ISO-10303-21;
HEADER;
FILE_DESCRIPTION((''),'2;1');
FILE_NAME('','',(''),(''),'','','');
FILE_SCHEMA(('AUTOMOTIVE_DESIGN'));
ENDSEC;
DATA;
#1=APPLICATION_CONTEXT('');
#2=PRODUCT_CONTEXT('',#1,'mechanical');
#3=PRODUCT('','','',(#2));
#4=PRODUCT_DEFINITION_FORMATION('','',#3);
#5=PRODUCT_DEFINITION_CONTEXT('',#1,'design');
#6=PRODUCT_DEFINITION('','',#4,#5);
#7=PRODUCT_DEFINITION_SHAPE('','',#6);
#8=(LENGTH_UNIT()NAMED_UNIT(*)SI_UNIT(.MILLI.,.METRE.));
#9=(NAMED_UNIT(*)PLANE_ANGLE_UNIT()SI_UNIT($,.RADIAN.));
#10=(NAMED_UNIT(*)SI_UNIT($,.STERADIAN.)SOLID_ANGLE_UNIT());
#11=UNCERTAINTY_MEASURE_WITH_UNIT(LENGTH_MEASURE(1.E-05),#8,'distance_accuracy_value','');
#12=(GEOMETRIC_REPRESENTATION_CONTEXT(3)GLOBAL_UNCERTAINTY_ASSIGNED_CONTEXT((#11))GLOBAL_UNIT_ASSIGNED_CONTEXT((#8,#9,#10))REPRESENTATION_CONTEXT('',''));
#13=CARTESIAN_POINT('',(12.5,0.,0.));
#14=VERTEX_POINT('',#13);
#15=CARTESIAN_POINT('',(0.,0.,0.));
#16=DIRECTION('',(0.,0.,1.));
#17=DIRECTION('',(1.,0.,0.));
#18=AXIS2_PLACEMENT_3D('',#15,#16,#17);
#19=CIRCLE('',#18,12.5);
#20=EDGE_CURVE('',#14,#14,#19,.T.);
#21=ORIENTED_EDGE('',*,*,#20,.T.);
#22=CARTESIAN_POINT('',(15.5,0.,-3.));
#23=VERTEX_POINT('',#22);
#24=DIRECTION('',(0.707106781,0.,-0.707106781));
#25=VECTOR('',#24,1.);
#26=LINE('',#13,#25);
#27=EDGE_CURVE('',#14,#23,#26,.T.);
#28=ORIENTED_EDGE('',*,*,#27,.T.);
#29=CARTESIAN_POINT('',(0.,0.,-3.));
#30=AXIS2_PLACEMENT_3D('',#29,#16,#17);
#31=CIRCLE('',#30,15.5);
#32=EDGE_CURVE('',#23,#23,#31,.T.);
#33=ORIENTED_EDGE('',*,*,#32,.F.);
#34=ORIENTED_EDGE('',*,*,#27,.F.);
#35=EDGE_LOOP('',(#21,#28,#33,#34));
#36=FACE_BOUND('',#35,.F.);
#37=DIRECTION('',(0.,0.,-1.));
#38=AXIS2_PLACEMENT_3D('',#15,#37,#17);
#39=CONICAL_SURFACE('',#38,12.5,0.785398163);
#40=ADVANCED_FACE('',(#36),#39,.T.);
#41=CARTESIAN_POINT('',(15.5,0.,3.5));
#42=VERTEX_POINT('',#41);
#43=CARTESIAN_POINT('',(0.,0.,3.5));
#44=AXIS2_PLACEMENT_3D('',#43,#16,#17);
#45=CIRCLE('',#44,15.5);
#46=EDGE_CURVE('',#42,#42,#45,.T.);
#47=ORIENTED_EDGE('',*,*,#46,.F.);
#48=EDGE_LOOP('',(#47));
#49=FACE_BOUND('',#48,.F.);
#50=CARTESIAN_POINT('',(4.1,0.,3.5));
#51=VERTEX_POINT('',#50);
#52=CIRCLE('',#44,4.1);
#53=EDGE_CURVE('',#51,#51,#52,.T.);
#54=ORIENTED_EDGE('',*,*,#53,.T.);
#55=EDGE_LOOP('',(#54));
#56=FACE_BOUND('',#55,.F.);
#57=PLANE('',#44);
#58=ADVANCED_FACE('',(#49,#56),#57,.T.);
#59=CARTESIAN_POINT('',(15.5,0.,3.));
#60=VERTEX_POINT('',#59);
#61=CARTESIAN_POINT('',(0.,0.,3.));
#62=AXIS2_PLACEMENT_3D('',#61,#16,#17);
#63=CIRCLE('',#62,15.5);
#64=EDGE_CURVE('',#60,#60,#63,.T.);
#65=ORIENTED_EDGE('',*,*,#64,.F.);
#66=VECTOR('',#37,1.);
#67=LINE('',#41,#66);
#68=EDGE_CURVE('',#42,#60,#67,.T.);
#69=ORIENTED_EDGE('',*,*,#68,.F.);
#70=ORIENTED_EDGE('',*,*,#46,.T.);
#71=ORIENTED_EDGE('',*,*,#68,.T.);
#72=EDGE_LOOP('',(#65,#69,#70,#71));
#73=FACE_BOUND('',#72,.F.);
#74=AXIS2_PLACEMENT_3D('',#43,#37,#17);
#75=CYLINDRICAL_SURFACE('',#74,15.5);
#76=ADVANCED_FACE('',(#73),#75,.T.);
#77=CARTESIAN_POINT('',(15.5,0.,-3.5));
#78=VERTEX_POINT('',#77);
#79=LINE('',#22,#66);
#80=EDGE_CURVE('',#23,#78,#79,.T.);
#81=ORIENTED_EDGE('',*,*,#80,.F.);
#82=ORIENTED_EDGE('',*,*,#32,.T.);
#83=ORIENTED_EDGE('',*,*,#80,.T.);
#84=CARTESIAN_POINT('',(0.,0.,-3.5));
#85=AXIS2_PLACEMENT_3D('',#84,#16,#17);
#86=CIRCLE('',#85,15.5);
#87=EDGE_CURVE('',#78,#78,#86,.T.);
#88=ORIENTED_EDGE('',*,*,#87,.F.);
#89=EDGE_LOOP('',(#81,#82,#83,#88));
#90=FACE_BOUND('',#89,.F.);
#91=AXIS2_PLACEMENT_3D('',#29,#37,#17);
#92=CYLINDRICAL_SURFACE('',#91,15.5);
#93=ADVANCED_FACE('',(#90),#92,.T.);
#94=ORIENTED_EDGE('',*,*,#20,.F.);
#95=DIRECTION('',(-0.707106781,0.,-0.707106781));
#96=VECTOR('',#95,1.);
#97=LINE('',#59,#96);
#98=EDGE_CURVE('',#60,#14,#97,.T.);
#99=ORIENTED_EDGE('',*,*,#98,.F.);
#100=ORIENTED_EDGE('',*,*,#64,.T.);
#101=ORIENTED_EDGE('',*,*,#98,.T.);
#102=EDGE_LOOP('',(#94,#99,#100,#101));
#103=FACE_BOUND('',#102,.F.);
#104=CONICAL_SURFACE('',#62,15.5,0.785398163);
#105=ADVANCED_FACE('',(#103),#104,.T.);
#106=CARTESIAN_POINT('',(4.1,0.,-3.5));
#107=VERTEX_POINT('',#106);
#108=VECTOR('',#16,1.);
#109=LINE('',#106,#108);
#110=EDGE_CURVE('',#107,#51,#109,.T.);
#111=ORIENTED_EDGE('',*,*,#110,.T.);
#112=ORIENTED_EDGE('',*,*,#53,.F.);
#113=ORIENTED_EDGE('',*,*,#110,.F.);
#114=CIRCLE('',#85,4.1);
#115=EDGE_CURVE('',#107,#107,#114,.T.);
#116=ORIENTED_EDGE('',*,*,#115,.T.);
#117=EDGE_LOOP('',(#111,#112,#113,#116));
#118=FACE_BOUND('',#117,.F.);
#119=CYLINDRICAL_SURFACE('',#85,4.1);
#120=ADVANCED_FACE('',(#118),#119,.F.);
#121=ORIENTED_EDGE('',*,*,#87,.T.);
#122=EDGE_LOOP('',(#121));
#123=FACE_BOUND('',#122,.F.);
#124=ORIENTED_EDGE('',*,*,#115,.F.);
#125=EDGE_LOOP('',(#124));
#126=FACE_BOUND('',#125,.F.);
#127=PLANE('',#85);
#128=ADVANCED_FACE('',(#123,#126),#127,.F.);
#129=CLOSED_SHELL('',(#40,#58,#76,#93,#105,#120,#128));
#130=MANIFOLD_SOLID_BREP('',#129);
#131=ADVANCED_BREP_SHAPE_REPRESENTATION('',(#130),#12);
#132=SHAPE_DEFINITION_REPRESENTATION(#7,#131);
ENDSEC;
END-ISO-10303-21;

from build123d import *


with BuildPart() as part:
    # Sketch → Revolution (revolve)
    with BuildSketch(Plane.XZ):
        Polygon((4.1, 3.5), (15.5, 3.5), (15.5, 3), (12.5, 0), (15.5, -3), (15.5, -3.5), (4.1, -3.5), align=None)
    revolve(axis=Axis((0, 0, 0), (0, 0, 1)))


solid = part.part
